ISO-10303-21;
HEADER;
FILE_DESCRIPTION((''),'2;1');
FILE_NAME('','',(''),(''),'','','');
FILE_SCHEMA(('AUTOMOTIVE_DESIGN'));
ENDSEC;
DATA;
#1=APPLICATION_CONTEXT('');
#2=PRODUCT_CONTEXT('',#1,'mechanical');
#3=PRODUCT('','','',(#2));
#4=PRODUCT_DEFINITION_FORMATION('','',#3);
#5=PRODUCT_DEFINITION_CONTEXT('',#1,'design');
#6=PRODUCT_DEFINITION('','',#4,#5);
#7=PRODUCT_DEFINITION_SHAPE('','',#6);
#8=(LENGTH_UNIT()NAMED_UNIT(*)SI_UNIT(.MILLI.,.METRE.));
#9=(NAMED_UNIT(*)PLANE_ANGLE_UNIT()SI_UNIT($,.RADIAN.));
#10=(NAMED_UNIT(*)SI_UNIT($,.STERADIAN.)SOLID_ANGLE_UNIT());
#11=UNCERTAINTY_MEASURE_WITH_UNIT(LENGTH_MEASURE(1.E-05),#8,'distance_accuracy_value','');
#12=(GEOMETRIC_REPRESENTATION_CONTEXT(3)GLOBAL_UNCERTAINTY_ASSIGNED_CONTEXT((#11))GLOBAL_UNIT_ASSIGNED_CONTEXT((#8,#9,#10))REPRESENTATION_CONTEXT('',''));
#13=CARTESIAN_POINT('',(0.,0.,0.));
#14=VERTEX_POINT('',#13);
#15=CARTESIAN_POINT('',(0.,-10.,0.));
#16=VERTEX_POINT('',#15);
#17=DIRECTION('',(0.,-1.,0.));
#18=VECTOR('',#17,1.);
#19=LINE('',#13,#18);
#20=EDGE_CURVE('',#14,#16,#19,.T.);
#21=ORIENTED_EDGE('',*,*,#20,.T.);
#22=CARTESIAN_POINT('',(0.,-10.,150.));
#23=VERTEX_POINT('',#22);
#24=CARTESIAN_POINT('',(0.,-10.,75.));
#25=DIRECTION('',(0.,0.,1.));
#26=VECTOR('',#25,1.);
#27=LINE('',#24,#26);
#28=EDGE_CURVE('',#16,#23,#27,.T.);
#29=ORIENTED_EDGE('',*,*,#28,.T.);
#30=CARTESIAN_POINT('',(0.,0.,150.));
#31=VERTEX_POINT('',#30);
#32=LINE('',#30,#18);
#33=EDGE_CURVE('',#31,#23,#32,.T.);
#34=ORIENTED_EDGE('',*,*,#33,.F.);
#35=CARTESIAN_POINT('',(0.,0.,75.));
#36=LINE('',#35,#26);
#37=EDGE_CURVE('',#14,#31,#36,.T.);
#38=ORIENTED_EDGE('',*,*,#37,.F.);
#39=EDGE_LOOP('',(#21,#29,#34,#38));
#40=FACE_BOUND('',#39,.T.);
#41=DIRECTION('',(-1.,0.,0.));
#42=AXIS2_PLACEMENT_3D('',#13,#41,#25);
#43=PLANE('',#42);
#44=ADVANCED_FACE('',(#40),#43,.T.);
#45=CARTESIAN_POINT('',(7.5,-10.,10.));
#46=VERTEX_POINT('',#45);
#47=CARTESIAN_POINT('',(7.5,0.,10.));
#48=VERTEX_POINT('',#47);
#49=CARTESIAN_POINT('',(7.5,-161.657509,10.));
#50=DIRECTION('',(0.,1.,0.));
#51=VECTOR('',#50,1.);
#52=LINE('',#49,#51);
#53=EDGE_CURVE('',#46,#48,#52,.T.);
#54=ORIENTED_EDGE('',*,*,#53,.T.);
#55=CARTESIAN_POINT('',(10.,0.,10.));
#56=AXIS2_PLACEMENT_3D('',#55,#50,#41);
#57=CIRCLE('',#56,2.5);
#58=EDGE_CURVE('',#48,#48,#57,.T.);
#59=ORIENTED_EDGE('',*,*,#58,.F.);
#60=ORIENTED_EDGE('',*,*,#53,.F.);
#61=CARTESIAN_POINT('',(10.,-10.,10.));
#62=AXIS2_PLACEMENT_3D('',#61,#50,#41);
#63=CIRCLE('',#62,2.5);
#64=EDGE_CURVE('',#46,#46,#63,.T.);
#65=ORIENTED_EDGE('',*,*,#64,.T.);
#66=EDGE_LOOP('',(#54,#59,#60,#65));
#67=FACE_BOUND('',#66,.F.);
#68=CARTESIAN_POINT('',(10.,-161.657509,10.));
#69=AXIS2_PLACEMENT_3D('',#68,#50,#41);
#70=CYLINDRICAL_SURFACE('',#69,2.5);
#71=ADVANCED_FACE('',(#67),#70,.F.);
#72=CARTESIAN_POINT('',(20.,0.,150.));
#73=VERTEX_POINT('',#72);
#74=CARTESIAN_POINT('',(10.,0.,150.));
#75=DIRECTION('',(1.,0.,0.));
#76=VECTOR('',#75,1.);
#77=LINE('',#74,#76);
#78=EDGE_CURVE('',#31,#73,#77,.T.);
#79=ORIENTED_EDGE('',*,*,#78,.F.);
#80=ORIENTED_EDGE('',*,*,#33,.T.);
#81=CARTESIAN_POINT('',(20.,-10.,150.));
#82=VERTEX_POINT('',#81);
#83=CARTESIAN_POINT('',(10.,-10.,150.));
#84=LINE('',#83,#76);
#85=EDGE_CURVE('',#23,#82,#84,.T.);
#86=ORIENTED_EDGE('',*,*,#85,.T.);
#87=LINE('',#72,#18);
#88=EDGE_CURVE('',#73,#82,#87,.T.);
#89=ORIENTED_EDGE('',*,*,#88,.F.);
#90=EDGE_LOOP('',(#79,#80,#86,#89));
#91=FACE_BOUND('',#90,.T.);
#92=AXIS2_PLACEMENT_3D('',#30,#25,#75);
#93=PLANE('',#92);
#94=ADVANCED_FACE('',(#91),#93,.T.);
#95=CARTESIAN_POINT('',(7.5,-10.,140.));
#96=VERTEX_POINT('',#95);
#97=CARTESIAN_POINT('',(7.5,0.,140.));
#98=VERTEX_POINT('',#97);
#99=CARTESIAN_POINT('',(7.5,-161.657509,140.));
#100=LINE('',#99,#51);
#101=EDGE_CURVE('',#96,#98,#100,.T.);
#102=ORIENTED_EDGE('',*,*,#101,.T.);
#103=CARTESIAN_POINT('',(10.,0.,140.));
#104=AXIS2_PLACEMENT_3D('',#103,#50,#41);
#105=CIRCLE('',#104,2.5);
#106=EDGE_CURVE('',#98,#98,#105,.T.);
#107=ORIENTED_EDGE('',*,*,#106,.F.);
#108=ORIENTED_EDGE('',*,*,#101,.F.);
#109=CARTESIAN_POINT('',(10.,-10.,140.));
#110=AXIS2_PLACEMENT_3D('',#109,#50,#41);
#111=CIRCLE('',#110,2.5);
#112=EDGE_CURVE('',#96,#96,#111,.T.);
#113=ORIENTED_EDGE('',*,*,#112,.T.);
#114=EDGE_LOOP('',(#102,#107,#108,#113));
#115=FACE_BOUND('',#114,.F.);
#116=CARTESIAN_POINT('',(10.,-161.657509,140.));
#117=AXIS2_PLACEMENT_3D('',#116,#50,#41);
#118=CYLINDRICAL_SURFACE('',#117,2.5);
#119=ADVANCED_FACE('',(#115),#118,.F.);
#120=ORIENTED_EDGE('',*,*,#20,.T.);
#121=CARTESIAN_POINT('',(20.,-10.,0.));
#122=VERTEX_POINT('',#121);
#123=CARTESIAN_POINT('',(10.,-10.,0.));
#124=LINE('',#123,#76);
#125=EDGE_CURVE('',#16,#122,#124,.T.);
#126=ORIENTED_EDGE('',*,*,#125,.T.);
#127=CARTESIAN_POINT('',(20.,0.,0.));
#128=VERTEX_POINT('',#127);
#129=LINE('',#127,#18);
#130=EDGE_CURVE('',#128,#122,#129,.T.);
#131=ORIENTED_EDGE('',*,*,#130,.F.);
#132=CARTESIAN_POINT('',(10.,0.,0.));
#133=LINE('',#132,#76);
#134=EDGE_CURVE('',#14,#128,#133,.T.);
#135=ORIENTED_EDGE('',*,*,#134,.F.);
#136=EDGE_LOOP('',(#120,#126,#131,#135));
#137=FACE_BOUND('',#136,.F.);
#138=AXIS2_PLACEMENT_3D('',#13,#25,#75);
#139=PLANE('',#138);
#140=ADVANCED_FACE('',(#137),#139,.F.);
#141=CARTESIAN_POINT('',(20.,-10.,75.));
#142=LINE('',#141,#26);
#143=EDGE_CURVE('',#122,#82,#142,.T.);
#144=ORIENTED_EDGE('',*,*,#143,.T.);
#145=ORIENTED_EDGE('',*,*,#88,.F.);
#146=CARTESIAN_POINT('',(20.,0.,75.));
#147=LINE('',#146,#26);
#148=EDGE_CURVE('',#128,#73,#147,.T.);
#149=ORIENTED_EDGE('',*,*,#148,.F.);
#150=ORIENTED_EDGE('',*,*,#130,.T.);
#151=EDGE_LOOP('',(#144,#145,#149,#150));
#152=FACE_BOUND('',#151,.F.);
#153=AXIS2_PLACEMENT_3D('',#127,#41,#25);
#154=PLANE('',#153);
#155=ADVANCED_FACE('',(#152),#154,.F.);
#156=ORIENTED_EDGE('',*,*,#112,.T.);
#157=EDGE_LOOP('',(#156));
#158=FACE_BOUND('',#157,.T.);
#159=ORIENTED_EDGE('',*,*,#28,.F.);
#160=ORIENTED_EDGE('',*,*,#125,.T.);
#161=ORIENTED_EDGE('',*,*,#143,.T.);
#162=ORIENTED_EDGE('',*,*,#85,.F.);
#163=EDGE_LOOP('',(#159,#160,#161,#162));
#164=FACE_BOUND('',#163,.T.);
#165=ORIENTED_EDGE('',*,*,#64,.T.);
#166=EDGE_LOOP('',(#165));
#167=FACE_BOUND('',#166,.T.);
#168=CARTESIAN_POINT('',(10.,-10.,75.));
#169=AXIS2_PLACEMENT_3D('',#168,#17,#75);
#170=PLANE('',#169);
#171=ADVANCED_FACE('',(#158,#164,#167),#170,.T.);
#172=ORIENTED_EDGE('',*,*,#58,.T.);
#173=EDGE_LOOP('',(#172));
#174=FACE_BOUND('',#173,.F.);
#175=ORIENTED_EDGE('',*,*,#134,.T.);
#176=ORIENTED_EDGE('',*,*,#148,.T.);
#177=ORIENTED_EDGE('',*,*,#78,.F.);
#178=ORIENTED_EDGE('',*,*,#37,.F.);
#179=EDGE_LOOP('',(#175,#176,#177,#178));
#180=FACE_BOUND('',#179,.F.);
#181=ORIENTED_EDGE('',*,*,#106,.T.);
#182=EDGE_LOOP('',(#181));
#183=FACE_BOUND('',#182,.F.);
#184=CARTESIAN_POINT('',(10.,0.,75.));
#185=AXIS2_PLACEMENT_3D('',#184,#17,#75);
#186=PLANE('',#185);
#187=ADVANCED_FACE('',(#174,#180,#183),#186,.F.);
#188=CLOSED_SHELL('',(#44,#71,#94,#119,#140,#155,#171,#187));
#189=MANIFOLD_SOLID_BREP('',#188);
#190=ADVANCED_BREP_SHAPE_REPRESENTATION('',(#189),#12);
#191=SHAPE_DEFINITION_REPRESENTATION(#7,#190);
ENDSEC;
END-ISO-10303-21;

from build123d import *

# Parameters (mm, degrees)
F0_W     = 20
F0_H     = 150
F1_DEPTH = 10
F3_D     = 5


with BuildPart() as f1:
    # F0 (on Front) → F1 (new body)
    with BuildSketch(Plane.XZ):
        with Locations((10, 75)):
            Rectangle(F0_W, F0_H)
    extrude(amount=F1_DEPTH)

    # F3 (through all)
    with Locations(Plane.XZ.offset(10)):
        with Locations((10, 140), (10, 10)):
            Hole(F3_D / 2)


solid = f1.part
